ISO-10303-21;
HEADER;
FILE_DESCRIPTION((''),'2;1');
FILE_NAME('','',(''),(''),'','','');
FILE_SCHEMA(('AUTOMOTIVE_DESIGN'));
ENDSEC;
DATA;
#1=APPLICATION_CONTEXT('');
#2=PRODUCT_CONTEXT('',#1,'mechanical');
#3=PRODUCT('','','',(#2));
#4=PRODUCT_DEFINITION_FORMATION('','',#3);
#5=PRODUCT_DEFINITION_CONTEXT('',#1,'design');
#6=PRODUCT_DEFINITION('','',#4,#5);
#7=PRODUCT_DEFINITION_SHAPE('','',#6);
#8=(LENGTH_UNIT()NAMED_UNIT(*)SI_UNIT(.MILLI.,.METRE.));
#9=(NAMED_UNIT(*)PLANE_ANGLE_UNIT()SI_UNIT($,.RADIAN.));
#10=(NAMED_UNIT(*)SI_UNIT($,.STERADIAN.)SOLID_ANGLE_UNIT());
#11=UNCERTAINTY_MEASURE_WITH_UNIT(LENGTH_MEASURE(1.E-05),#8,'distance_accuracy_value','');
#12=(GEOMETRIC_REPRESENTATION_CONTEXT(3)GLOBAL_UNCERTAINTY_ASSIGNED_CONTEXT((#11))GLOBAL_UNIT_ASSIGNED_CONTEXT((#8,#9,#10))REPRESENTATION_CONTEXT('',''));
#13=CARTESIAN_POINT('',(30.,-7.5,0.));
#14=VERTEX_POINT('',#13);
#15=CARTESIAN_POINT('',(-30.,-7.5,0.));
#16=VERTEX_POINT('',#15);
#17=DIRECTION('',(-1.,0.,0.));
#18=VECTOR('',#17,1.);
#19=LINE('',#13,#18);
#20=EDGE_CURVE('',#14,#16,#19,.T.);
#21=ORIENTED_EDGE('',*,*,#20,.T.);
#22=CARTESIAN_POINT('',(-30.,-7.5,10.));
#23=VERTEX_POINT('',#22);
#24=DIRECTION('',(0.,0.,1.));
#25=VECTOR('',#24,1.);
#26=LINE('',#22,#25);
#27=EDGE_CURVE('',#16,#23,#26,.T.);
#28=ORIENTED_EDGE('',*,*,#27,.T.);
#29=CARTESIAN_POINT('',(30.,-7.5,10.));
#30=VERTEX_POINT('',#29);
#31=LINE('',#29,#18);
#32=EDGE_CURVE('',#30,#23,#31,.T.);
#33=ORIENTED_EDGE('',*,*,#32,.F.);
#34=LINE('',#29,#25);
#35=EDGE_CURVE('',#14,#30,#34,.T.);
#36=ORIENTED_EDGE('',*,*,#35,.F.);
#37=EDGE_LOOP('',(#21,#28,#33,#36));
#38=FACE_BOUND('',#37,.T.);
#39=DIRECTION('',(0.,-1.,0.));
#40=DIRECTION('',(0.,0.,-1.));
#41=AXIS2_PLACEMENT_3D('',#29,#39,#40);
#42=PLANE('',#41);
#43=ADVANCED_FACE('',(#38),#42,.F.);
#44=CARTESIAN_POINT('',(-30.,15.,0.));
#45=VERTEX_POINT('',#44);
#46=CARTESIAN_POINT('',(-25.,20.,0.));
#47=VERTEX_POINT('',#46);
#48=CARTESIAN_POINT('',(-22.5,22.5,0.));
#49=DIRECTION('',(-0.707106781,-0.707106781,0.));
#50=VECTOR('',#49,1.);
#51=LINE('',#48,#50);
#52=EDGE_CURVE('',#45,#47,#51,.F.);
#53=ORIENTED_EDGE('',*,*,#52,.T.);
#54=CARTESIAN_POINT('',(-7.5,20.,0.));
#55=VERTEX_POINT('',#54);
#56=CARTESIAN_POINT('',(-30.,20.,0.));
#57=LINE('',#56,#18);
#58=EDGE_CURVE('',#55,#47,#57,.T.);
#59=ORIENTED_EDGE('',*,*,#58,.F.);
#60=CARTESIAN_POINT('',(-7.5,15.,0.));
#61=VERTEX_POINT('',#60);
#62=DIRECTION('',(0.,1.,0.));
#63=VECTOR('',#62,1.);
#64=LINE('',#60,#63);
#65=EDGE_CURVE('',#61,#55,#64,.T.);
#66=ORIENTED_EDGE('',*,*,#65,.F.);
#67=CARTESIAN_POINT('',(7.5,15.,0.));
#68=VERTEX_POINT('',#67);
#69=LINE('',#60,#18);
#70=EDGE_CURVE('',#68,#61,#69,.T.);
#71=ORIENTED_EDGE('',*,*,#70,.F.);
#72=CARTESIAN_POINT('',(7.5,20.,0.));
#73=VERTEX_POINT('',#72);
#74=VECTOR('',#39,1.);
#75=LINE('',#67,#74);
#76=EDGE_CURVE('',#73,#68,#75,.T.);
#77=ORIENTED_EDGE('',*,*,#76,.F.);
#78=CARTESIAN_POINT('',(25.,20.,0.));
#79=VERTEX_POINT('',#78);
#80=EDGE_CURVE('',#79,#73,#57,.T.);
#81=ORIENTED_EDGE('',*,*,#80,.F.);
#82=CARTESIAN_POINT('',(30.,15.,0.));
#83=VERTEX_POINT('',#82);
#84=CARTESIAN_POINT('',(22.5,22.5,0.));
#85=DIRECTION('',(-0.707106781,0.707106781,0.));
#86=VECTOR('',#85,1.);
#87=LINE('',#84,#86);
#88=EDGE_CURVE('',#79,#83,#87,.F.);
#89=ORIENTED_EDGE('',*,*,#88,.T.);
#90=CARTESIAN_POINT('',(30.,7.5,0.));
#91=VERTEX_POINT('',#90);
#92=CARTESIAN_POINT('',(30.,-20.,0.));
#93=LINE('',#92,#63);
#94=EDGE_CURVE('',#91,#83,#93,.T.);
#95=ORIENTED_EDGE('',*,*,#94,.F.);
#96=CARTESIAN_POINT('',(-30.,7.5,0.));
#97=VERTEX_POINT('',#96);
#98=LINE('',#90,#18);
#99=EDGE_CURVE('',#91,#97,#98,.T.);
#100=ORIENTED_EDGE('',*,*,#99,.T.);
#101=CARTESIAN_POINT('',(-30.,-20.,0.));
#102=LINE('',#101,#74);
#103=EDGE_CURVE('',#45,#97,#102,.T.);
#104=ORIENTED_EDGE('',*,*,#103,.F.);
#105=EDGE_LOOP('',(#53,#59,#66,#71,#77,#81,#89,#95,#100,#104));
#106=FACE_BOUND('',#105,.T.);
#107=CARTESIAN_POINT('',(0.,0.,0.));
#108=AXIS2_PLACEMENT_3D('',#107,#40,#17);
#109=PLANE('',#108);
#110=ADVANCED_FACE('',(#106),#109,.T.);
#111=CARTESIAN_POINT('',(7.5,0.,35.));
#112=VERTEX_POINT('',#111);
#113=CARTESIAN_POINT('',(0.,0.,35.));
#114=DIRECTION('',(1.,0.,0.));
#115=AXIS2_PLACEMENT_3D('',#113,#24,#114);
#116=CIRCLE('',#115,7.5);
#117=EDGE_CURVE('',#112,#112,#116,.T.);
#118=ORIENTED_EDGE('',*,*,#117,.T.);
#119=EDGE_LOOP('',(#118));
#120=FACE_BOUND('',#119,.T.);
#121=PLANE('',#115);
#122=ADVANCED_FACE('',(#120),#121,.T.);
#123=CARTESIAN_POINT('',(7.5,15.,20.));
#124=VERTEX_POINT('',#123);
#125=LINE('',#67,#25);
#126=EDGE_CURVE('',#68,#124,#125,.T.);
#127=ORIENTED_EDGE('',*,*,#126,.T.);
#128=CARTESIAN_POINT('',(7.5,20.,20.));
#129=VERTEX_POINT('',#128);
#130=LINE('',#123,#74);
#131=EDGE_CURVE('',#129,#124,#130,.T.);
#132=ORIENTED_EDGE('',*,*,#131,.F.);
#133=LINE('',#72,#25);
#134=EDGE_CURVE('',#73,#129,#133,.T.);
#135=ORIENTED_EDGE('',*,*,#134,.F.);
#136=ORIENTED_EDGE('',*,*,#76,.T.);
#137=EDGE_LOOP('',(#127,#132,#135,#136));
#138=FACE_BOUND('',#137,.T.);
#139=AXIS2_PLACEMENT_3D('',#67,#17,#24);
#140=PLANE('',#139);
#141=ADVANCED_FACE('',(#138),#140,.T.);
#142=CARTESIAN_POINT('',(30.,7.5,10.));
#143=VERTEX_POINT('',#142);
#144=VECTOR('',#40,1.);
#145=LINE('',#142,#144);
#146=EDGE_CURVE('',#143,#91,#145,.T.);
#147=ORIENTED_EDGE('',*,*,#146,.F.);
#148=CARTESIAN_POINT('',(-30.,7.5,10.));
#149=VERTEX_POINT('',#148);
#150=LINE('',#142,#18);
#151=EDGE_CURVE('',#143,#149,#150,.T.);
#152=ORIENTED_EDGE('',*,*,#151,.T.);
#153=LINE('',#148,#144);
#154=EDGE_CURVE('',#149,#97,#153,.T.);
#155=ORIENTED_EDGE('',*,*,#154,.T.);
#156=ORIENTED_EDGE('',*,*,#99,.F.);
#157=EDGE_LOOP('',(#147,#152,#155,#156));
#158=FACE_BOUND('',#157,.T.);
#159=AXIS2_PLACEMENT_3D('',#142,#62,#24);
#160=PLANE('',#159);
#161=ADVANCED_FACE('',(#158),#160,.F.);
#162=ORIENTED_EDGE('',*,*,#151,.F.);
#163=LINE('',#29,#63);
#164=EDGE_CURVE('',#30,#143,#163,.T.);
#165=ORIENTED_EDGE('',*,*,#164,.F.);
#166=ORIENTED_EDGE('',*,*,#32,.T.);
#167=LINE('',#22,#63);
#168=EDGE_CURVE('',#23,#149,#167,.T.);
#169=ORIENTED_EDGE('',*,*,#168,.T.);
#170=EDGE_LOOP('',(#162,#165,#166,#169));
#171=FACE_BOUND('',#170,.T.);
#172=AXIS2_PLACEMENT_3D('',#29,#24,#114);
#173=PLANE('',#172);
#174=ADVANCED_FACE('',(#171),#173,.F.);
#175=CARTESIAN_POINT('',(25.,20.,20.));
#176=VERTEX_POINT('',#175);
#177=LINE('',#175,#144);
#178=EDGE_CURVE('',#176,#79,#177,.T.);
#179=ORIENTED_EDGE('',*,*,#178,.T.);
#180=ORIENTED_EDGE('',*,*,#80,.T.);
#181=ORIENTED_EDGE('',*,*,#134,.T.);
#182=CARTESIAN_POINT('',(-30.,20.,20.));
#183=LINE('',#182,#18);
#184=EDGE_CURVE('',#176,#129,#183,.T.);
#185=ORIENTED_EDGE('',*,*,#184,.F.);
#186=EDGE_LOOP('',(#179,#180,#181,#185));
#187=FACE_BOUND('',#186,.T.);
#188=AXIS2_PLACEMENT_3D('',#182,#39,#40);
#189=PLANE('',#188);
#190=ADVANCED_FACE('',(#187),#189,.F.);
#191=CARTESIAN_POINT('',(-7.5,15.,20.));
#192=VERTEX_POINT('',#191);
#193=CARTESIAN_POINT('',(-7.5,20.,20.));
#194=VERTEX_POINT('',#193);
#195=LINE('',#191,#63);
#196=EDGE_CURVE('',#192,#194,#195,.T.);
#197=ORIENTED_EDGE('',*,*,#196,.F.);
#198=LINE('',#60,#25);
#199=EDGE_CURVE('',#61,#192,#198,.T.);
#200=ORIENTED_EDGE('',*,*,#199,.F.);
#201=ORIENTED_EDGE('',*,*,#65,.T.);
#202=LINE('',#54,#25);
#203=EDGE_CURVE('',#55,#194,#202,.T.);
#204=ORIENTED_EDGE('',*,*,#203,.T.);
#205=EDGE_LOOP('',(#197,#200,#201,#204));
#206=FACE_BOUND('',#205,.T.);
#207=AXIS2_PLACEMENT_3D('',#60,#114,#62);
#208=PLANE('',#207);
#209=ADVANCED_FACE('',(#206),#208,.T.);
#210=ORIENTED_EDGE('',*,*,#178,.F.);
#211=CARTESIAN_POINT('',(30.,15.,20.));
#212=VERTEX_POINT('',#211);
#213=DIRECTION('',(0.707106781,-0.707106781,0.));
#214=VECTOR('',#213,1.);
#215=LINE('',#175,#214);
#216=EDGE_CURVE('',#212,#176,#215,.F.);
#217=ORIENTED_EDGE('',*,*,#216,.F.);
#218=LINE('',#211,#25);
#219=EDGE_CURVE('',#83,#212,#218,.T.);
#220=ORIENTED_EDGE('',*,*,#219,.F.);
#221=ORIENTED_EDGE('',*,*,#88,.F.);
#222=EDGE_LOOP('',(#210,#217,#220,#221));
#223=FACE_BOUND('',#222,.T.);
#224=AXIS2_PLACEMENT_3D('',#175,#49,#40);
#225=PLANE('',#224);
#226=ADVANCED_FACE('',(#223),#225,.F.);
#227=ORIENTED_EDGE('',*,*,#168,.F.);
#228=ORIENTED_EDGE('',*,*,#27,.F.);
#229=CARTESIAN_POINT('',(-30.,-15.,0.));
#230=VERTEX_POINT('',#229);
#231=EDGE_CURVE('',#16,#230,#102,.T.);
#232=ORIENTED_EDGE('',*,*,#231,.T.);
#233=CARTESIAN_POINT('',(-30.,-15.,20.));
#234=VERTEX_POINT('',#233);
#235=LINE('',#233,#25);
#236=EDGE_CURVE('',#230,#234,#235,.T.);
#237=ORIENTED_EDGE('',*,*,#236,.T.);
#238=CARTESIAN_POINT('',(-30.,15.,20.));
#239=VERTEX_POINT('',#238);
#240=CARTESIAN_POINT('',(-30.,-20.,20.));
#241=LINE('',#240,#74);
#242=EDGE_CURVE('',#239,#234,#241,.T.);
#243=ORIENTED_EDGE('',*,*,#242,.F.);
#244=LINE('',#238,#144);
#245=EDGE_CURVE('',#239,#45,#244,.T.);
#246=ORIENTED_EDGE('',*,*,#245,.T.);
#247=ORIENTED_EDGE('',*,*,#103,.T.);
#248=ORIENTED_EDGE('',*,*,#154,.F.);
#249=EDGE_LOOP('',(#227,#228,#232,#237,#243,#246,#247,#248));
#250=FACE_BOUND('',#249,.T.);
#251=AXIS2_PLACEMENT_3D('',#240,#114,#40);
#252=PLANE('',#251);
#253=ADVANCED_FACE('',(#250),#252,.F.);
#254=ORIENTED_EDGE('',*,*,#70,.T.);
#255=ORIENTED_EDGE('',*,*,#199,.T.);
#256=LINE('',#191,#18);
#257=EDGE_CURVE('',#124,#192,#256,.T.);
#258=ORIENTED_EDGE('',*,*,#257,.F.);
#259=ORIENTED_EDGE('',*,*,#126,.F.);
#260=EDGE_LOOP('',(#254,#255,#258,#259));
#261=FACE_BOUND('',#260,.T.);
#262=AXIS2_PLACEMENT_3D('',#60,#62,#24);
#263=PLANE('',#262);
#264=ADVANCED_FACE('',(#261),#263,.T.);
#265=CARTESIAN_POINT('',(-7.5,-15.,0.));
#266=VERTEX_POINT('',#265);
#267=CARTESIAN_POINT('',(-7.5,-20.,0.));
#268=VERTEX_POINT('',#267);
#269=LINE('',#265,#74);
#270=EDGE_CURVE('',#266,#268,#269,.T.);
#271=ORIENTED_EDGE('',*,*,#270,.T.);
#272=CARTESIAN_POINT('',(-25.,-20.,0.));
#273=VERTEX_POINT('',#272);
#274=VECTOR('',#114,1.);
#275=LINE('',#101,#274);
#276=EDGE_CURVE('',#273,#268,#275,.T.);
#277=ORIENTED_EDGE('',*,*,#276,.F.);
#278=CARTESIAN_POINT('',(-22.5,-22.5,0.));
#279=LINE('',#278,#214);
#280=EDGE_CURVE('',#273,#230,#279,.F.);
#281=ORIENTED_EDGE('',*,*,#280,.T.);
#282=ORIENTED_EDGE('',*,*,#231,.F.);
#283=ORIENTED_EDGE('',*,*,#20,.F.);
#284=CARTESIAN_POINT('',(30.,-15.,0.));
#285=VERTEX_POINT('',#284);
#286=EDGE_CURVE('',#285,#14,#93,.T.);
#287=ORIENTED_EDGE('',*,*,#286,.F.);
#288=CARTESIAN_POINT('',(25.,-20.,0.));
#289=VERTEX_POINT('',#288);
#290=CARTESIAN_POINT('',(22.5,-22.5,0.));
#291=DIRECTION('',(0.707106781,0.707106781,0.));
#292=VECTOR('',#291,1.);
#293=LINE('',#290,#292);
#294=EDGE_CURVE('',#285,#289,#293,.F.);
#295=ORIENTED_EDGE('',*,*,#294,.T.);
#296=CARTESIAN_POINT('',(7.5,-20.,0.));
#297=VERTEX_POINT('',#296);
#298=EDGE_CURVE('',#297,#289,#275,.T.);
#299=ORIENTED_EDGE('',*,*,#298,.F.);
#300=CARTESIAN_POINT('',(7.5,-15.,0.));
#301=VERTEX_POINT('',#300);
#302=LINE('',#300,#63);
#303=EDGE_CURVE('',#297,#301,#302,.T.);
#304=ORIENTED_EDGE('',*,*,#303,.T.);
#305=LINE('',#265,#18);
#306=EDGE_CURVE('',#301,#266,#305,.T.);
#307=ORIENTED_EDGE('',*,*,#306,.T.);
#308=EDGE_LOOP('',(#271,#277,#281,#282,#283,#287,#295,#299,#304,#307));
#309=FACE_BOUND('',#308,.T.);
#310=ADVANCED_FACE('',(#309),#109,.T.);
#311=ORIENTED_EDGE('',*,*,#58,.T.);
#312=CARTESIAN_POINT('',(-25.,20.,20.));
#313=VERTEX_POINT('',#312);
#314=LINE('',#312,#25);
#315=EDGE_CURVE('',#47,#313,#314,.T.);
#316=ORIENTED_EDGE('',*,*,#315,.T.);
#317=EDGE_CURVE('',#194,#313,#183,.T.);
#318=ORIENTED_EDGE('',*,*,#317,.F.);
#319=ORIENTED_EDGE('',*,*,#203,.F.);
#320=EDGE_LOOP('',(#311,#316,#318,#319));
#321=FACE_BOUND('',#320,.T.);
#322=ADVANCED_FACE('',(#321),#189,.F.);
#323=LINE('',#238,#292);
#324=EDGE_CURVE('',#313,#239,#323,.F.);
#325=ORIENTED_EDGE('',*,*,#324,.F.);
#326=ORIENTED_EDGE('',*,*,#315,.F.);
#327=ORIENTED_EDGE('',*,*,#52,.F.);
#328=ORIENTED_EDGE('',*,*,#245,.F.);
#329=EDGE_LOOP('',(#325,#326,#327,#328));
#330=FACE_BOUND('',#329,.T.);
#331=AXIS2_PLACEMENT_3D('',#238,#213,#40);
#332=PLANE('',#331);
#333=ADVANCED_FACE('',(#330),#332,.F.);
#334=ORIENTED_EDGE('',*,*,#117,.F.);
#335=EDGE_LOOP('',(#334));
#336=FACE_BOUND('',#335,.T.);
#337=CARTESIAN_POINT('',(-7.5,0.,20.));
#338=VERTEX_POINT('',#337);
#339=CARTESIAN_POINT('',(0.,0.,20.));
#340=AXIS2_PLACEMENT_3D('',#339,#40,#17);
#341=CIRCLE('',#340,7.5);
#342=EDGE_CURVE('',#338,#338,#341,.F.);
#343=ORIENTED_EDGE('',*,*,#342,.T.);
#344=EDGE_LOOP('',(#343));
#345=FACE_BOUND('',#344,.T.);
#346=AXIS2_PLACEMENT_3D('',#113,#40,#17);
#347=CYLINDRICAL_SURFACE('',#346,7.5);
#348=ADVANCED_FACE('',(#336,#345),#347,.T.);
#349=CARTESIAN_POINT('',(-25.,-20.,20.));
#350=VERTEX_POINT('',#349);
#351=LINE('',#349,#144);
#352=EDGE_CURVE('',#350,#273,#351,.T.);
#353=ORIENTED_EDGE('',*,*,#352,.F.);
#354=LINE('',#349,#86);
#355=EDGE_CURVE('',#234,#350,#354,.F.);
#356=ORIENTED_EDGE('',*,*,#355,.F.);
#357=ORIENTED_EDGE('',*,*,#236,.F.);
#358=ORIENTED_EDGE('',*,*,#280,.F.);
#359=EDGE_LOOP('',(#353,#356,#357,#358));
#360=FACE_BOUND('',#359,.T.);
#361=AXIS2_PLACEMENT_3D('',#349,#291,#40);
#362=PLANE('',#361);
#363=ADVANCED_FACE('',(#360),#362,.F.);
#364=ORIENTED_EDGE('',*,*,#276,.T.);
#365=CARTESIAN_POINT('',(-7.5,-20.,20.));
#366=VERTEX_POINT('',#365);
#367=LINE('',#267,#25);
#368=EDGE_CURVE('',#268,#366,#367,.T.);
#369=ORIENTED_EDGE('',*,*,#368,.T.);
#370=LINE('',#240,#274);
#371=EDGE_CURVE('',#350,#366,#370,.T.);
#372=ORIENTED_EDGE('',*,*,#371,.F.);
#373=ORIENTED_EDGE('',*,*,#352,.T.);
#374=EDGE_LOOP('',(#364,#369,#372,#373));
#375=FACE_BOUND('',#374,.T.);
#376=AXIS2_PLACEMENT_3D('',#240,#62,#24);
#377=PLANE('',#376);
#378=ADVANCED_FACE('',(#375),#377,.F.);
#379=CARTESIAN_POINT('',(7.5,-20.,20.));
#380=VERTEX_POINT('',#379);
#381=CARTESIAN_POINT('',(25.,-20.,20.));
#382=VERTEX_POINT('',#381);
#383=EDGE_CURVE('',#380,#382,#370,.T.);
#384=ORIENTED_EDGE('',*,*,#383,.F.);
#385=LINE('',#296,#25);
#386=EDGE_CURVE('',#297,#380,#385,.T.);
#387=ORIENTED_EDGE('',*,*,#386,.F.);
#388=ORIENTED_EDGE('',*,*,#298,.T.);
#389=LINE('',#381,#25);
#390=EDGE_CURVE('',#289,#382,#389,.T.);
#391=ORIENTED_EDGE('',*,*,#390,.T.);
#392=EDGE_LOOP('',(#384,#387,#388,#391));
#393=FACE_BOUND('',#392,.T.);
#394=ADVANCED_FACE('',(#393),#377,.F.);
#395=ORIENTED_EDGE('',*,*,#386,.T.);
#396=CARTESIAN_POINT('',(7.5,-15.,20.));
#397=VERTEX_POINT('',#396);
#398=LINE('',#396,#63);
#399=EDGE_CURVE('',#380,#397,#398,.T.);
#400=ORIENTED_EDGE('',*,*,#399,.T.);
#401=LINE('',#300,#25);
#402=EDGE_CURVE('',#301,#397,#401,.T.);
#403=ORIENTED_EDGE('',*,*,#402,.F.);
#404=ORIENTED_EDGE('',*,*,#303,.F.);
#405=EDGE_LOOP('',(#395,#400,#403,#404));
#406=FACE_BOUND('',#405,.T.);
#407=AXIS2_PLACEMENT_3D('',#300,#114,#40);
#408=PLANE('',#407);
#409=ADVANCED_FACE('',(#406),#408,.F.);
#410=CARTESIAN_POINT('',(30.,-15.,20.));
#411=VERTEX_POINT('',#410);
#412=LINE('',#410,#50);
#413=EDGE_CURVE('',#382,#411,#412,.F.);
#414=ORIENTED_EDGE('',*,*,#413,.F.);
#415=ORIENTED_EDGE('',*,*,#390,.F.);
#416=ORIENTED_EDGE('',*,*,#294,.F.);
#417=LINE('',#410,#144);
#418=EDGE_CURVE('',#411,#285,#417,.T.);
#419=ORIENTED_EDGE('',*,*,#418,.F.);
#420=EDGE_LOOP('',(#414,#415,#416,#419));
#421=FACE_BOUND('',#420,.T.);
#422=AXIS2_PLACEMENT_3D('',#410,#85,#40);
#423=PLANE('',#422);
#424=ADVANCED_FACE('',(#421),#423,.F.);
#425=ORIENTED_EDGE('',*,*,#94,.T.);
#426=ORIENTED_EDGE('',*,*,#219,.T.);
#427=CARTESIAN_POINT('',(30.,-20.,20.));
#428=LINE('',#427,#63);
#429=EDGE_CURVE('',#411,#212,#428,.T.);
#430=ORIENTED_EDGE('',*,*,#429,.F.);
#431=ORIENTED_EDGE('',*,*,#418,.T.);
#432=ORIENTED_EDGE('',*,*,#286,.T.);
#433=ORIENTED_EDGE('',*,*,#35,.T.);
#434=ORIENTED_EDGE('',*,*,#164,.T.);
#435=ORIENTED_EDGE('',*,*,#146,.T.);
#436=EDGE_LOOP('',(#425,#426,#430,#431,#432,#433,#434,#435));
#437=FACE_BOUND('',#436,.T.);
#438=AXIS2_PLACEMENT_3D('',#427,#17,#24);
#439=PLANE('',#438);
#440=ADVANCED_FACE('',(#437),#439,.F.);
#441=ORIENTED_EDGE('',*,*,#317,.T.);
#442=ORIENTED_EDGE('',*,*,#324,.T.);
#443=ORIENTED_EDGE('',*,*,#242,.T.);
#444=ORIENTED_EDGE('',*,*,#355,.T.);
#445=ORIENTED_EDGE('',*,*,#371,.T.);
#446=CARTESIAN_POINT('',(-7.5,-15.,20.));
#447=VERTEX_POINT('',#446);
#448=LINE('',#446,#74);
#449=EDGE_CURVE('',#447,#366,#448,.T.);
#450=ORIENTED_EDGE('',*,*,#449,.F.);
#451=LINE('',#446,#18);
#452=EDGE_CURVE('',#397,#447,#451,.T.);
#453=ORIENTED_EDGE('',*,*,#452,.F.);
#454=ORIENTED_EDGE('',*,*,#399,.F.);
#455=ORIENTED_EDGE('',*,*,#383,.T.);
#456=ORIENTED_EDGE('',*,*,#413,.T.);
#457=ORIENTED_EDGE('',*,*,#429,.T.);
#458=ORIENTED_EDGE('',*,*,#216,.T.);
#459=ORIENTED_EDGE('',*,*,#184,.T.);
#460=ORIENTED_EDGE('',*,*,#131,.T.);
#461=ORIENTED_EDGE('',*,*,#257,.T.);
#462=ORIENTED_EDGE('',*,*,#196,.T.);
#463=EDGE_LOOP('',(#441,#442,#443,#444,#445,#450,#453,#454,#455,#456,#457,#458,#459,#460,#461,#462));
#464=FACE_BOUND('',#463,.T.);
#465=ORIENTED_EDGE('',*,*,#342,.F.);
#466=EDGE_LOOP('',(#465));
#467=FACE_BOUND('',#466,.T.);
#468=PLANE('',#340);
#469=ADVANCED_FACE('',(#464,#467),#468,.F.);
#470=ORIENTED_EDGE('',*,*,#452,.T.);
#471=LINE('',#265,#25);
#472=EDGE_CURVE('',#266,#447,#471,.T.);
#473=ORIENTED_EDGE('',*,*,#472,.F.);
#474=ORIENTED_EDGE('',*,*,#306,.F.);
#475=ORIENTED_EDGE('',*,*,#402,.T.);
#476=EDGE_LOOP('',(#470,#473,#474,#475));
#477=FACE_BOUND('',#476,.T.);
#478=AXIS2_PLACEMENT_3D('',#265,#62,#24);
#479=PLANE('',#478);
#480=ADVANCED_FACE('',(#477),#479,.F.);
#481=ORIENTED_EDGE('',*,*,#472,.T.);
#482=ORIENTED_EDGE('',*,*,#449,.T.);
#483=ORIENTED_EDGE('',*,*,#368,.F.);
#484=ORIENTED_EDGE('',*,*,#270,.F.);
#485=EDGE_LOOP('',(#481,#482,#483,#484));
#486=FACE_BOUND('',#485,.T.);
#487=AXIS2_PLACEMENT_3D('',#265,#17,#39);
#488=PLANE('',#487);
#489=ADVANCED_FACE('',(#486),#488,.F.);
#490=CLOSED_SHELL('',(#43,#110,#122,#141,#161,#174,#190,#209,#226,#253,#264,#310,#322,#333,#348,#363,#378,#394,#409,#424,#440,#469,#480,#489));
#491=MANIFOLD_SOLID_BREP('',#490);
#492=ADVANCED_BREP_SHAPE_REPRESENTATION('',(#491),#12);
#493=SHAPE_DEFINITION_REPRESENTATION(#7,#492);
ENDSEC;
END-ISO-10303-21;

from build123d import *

# Parameters (mm, degrees)
SKETCH_1_W          = 60
SKETCH_1_H          = 40
EXTRUDE_1_DEPTH     = 20
SKETCH_2_R          = 7.5
EXTRUDE_2_DEPTH     = 15
SKETCH_3_W          = 15
SKETCH_3_H          = 5
CUT_EXTRUDE_1_DEPTH = 42.231056256
SKETCH_4_W          = 10
SKETCH_4_H          = 15
CUT_EXTRUDE_2_DEPTH = 73.284161474
CHAMFER_1_SIZE      = 5


with BuildPart() as part:
    # Эскиз1 → Бобышка-Вытянуть1 (new body)
    with BuildSketch(Plane.XY):
        Rectangle(SKETCH_1_W, SKETCH_1_H)
    extrude(amount=EXTRUDE_1_DEPTH)

    # Эскиз2 → Бобышка-Вытянуть2 (add)
    with BuildSketch(Plane.XY.offset(20)):
        with Locations(Location((0, 0, 0), (0, 0, 180))):
            Circle(SKETCH_2_R)
    extrude(amount=EXTRUDE_2_DEPTH)

    # Эскиз3 → Вырез-Вытянуть1 (cut, through all)
    with BuildSketch(Plane.XY.offset(20)):
        with Locations((0, -17.5)):
            Rectangle(SKETCH_3_W, SKETCH_3_H)
    cut_extrude_1 = extrude(amount=-CUT_EXTRUDE_1_DEPTH, mode=Mode.SUBTRACT)

    # Зеркальное отражение1: Вырез-Вытянуть1 across plane
    add(cut_extrude_1.mirror(Plane.ZX), mode=Mode.SUBTRACT)

    # Эскиз4 → Вырез-Вытянуть2 (cut, through all)
    with BuildSketch(Plane.ZY.offset(30)):
        with Locations((5, 0)):
            Rectangle(SKETCH_4_W, SKETCH_4_H)
    extrude(amount=-CUT_EXTRUDE_2_DEPTH, mode=Mode.SUBTRACT)

    # Фаска1
    chamfer_1_edges = [part.edges().sort_by_distance(p)[0] for p in [
        (30, -20, 10),
        (-30, -20, 10),
        (-30, 20, 10),
        (30, 20, 10),
    ]]
    chamfer(chamfer_1_edges, length=CHAMFER_1_SIZE)


solid = part.part
